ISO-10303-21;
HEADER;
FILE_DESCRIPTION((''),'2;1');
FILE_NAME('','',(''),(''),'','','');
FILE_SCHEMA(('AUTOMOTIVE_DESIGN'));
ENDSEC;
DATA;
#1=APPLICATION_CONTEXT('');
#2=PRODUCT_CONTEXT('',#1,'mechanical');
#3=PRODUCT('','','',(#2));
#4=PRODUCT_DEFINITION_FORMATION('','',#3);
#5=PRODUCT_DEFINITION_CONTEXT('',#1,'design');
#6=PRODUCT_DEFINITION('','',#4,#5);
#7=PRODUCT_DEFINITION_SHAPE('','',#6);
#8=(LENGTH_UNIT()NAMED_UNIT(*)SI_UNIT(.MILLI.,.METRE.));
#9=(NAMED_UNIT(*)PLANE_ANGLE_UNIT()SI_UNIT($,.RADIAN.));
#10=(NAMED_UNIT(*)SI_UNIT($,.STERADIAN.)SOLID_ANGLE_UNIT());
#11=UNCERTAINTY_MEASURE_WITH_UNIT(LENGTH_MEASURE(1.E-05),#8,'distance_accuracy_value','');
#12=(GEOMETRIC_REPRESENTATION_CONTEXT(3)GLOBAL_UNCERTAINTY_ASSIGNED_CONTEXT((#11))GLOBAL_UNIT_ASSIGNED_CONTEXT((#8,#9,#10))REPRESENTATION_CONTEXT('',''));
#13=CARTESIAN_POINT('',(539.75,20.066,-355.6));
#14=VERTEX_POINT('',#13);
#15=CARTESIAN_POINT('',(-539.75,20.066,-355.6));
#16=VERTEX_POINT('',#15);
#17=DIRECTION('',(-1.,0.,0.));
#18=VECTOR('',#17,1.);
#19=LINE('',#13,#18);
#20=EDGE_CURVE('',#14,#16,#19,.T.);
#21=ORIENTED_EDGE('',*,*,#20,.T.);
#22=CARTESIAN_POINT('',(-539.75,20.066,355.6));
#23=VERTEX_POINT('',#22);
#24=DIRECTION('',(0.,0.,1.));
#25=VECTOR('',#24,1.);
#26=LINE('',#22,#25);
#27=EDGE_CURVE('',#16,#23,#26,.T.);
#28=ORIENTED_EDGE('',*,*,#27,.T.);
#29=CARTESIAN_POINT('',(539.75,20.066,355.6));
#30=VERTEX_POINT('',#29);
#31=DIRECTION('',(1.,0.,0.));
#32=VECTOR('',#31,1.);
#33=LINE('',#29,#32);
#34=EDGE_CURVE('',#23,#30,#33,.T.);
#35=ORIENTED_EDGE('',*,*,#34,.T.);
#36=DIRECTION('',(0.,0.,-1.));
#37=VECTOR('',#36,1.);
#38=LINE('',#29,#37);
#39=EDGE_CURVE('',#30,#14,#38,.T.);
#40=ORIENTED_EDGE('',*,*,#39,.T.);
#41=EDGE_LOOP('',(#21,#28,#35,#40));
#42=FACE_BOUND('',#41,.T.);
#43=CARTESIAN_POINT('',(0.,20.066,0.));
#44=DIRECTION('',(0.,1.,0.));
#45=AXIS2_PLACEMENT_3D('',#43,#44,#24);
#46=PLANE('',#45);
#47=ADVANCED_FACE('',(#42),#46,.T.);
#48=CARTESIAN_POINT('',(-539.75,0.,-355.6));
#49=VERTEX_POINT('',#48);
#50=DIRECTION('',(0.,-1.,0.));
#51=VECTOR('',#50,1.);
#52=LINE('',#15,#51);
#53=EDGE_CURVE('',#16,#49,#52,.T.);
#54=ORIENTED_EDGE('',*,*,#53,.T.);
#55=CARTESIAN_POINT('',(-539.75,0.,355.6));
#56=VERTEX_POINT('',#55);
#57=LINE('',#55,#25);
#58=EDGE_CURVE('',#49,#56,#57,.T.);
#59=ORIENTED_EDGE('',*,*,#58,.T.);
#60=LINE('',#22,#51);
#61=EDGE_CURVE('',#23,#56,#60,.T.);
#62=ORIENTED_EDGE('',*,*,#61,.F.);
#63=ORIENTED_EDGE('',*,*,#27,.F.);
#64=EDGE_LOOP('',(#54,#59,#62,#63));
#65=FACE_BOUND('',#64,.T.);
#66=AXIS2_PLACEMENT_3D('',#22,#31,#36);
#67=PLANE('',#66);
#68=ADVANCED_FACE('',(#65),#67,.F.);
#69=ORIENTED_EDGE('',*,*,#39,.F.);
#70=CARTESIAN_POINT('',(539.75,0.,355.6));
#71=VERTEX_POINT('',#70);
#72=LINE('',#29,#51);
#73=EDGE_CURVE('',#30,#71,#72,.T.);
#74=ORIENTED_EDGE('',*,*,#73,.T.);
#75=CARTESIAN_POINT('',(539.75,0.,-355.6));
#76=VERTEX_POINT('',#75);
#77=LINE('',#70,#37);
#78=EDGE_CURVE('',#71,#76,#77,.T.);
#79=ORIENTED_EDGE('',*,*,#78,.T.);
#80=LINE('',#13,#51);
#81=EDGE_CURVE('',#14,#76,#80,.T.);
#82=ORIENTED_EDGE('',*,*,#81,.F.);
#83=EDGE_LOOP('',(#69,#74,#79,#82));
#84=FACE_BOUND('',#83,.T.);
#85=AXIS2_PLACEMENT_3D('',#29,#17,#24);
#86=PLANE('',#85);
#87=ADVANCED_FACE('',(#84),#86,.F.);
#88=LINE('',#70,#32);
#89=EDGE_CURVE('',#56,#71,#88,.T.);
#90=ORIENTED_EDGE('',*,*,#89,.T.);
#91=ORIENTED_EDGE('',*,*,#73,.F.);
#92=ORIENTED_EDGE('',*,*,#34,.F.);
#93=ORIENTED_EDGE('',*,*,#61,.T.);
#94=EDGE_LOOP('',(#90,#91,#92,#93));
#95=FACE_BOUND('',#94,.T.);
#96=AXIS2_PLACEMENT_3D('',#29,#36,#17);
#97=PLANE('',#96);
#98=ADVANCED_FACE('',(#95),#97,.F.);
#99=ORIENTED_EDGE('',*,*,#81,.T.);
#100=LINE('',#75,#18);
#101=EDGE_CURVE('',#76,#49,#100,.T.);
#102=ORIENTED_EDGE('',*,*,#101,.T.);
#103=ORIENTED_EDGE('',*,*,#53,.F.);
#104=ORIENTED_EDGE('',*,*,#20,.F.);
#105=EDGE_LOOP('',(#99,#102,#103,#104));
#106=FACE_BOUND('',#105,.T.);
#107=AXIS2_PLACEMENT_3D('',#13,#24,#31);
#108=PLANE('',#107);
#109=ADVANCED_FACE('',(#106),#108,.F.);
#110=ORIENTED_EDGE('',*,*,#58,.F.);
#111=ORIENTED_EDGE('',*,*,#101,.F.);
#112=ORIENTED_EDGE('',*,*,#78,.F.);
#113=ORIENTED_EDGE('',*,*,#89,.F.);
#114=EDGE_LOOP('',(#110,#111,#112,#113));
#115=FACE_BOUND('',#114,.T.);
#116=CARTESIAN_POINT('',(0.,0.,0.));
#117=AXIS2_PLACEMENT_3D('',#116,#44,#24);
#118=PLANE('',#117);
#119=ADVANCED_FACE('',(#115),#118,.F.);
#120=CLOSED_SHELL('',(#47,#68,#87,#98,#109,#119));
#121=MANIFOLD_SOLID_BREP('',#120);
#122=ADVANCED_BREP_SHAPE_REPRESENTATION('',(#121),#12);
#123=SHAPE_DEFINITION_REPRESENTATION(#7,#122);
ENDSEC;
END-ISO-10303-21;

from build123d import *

# Parameters (mm, degrees)
SKETCH1_W           = 1079.5
SKETCH1_H           = 711.2
BOSS_EXTRUDE1_DEPTH = 20.066


with BuildPart() as part:
    # Sketch1 → Boss-Extrude1 (new body)
    with BuildSketch(Plane(origin=(0, 0, 0), x_dir=(1, 0, 0), z_dir=(0, 1, 0))):
        Rectangle(SKETCH1_W, SKETCH1_H)
    extrude(amount=BOSS_EXTRUDE1_DEPTH)


solid = part.part
